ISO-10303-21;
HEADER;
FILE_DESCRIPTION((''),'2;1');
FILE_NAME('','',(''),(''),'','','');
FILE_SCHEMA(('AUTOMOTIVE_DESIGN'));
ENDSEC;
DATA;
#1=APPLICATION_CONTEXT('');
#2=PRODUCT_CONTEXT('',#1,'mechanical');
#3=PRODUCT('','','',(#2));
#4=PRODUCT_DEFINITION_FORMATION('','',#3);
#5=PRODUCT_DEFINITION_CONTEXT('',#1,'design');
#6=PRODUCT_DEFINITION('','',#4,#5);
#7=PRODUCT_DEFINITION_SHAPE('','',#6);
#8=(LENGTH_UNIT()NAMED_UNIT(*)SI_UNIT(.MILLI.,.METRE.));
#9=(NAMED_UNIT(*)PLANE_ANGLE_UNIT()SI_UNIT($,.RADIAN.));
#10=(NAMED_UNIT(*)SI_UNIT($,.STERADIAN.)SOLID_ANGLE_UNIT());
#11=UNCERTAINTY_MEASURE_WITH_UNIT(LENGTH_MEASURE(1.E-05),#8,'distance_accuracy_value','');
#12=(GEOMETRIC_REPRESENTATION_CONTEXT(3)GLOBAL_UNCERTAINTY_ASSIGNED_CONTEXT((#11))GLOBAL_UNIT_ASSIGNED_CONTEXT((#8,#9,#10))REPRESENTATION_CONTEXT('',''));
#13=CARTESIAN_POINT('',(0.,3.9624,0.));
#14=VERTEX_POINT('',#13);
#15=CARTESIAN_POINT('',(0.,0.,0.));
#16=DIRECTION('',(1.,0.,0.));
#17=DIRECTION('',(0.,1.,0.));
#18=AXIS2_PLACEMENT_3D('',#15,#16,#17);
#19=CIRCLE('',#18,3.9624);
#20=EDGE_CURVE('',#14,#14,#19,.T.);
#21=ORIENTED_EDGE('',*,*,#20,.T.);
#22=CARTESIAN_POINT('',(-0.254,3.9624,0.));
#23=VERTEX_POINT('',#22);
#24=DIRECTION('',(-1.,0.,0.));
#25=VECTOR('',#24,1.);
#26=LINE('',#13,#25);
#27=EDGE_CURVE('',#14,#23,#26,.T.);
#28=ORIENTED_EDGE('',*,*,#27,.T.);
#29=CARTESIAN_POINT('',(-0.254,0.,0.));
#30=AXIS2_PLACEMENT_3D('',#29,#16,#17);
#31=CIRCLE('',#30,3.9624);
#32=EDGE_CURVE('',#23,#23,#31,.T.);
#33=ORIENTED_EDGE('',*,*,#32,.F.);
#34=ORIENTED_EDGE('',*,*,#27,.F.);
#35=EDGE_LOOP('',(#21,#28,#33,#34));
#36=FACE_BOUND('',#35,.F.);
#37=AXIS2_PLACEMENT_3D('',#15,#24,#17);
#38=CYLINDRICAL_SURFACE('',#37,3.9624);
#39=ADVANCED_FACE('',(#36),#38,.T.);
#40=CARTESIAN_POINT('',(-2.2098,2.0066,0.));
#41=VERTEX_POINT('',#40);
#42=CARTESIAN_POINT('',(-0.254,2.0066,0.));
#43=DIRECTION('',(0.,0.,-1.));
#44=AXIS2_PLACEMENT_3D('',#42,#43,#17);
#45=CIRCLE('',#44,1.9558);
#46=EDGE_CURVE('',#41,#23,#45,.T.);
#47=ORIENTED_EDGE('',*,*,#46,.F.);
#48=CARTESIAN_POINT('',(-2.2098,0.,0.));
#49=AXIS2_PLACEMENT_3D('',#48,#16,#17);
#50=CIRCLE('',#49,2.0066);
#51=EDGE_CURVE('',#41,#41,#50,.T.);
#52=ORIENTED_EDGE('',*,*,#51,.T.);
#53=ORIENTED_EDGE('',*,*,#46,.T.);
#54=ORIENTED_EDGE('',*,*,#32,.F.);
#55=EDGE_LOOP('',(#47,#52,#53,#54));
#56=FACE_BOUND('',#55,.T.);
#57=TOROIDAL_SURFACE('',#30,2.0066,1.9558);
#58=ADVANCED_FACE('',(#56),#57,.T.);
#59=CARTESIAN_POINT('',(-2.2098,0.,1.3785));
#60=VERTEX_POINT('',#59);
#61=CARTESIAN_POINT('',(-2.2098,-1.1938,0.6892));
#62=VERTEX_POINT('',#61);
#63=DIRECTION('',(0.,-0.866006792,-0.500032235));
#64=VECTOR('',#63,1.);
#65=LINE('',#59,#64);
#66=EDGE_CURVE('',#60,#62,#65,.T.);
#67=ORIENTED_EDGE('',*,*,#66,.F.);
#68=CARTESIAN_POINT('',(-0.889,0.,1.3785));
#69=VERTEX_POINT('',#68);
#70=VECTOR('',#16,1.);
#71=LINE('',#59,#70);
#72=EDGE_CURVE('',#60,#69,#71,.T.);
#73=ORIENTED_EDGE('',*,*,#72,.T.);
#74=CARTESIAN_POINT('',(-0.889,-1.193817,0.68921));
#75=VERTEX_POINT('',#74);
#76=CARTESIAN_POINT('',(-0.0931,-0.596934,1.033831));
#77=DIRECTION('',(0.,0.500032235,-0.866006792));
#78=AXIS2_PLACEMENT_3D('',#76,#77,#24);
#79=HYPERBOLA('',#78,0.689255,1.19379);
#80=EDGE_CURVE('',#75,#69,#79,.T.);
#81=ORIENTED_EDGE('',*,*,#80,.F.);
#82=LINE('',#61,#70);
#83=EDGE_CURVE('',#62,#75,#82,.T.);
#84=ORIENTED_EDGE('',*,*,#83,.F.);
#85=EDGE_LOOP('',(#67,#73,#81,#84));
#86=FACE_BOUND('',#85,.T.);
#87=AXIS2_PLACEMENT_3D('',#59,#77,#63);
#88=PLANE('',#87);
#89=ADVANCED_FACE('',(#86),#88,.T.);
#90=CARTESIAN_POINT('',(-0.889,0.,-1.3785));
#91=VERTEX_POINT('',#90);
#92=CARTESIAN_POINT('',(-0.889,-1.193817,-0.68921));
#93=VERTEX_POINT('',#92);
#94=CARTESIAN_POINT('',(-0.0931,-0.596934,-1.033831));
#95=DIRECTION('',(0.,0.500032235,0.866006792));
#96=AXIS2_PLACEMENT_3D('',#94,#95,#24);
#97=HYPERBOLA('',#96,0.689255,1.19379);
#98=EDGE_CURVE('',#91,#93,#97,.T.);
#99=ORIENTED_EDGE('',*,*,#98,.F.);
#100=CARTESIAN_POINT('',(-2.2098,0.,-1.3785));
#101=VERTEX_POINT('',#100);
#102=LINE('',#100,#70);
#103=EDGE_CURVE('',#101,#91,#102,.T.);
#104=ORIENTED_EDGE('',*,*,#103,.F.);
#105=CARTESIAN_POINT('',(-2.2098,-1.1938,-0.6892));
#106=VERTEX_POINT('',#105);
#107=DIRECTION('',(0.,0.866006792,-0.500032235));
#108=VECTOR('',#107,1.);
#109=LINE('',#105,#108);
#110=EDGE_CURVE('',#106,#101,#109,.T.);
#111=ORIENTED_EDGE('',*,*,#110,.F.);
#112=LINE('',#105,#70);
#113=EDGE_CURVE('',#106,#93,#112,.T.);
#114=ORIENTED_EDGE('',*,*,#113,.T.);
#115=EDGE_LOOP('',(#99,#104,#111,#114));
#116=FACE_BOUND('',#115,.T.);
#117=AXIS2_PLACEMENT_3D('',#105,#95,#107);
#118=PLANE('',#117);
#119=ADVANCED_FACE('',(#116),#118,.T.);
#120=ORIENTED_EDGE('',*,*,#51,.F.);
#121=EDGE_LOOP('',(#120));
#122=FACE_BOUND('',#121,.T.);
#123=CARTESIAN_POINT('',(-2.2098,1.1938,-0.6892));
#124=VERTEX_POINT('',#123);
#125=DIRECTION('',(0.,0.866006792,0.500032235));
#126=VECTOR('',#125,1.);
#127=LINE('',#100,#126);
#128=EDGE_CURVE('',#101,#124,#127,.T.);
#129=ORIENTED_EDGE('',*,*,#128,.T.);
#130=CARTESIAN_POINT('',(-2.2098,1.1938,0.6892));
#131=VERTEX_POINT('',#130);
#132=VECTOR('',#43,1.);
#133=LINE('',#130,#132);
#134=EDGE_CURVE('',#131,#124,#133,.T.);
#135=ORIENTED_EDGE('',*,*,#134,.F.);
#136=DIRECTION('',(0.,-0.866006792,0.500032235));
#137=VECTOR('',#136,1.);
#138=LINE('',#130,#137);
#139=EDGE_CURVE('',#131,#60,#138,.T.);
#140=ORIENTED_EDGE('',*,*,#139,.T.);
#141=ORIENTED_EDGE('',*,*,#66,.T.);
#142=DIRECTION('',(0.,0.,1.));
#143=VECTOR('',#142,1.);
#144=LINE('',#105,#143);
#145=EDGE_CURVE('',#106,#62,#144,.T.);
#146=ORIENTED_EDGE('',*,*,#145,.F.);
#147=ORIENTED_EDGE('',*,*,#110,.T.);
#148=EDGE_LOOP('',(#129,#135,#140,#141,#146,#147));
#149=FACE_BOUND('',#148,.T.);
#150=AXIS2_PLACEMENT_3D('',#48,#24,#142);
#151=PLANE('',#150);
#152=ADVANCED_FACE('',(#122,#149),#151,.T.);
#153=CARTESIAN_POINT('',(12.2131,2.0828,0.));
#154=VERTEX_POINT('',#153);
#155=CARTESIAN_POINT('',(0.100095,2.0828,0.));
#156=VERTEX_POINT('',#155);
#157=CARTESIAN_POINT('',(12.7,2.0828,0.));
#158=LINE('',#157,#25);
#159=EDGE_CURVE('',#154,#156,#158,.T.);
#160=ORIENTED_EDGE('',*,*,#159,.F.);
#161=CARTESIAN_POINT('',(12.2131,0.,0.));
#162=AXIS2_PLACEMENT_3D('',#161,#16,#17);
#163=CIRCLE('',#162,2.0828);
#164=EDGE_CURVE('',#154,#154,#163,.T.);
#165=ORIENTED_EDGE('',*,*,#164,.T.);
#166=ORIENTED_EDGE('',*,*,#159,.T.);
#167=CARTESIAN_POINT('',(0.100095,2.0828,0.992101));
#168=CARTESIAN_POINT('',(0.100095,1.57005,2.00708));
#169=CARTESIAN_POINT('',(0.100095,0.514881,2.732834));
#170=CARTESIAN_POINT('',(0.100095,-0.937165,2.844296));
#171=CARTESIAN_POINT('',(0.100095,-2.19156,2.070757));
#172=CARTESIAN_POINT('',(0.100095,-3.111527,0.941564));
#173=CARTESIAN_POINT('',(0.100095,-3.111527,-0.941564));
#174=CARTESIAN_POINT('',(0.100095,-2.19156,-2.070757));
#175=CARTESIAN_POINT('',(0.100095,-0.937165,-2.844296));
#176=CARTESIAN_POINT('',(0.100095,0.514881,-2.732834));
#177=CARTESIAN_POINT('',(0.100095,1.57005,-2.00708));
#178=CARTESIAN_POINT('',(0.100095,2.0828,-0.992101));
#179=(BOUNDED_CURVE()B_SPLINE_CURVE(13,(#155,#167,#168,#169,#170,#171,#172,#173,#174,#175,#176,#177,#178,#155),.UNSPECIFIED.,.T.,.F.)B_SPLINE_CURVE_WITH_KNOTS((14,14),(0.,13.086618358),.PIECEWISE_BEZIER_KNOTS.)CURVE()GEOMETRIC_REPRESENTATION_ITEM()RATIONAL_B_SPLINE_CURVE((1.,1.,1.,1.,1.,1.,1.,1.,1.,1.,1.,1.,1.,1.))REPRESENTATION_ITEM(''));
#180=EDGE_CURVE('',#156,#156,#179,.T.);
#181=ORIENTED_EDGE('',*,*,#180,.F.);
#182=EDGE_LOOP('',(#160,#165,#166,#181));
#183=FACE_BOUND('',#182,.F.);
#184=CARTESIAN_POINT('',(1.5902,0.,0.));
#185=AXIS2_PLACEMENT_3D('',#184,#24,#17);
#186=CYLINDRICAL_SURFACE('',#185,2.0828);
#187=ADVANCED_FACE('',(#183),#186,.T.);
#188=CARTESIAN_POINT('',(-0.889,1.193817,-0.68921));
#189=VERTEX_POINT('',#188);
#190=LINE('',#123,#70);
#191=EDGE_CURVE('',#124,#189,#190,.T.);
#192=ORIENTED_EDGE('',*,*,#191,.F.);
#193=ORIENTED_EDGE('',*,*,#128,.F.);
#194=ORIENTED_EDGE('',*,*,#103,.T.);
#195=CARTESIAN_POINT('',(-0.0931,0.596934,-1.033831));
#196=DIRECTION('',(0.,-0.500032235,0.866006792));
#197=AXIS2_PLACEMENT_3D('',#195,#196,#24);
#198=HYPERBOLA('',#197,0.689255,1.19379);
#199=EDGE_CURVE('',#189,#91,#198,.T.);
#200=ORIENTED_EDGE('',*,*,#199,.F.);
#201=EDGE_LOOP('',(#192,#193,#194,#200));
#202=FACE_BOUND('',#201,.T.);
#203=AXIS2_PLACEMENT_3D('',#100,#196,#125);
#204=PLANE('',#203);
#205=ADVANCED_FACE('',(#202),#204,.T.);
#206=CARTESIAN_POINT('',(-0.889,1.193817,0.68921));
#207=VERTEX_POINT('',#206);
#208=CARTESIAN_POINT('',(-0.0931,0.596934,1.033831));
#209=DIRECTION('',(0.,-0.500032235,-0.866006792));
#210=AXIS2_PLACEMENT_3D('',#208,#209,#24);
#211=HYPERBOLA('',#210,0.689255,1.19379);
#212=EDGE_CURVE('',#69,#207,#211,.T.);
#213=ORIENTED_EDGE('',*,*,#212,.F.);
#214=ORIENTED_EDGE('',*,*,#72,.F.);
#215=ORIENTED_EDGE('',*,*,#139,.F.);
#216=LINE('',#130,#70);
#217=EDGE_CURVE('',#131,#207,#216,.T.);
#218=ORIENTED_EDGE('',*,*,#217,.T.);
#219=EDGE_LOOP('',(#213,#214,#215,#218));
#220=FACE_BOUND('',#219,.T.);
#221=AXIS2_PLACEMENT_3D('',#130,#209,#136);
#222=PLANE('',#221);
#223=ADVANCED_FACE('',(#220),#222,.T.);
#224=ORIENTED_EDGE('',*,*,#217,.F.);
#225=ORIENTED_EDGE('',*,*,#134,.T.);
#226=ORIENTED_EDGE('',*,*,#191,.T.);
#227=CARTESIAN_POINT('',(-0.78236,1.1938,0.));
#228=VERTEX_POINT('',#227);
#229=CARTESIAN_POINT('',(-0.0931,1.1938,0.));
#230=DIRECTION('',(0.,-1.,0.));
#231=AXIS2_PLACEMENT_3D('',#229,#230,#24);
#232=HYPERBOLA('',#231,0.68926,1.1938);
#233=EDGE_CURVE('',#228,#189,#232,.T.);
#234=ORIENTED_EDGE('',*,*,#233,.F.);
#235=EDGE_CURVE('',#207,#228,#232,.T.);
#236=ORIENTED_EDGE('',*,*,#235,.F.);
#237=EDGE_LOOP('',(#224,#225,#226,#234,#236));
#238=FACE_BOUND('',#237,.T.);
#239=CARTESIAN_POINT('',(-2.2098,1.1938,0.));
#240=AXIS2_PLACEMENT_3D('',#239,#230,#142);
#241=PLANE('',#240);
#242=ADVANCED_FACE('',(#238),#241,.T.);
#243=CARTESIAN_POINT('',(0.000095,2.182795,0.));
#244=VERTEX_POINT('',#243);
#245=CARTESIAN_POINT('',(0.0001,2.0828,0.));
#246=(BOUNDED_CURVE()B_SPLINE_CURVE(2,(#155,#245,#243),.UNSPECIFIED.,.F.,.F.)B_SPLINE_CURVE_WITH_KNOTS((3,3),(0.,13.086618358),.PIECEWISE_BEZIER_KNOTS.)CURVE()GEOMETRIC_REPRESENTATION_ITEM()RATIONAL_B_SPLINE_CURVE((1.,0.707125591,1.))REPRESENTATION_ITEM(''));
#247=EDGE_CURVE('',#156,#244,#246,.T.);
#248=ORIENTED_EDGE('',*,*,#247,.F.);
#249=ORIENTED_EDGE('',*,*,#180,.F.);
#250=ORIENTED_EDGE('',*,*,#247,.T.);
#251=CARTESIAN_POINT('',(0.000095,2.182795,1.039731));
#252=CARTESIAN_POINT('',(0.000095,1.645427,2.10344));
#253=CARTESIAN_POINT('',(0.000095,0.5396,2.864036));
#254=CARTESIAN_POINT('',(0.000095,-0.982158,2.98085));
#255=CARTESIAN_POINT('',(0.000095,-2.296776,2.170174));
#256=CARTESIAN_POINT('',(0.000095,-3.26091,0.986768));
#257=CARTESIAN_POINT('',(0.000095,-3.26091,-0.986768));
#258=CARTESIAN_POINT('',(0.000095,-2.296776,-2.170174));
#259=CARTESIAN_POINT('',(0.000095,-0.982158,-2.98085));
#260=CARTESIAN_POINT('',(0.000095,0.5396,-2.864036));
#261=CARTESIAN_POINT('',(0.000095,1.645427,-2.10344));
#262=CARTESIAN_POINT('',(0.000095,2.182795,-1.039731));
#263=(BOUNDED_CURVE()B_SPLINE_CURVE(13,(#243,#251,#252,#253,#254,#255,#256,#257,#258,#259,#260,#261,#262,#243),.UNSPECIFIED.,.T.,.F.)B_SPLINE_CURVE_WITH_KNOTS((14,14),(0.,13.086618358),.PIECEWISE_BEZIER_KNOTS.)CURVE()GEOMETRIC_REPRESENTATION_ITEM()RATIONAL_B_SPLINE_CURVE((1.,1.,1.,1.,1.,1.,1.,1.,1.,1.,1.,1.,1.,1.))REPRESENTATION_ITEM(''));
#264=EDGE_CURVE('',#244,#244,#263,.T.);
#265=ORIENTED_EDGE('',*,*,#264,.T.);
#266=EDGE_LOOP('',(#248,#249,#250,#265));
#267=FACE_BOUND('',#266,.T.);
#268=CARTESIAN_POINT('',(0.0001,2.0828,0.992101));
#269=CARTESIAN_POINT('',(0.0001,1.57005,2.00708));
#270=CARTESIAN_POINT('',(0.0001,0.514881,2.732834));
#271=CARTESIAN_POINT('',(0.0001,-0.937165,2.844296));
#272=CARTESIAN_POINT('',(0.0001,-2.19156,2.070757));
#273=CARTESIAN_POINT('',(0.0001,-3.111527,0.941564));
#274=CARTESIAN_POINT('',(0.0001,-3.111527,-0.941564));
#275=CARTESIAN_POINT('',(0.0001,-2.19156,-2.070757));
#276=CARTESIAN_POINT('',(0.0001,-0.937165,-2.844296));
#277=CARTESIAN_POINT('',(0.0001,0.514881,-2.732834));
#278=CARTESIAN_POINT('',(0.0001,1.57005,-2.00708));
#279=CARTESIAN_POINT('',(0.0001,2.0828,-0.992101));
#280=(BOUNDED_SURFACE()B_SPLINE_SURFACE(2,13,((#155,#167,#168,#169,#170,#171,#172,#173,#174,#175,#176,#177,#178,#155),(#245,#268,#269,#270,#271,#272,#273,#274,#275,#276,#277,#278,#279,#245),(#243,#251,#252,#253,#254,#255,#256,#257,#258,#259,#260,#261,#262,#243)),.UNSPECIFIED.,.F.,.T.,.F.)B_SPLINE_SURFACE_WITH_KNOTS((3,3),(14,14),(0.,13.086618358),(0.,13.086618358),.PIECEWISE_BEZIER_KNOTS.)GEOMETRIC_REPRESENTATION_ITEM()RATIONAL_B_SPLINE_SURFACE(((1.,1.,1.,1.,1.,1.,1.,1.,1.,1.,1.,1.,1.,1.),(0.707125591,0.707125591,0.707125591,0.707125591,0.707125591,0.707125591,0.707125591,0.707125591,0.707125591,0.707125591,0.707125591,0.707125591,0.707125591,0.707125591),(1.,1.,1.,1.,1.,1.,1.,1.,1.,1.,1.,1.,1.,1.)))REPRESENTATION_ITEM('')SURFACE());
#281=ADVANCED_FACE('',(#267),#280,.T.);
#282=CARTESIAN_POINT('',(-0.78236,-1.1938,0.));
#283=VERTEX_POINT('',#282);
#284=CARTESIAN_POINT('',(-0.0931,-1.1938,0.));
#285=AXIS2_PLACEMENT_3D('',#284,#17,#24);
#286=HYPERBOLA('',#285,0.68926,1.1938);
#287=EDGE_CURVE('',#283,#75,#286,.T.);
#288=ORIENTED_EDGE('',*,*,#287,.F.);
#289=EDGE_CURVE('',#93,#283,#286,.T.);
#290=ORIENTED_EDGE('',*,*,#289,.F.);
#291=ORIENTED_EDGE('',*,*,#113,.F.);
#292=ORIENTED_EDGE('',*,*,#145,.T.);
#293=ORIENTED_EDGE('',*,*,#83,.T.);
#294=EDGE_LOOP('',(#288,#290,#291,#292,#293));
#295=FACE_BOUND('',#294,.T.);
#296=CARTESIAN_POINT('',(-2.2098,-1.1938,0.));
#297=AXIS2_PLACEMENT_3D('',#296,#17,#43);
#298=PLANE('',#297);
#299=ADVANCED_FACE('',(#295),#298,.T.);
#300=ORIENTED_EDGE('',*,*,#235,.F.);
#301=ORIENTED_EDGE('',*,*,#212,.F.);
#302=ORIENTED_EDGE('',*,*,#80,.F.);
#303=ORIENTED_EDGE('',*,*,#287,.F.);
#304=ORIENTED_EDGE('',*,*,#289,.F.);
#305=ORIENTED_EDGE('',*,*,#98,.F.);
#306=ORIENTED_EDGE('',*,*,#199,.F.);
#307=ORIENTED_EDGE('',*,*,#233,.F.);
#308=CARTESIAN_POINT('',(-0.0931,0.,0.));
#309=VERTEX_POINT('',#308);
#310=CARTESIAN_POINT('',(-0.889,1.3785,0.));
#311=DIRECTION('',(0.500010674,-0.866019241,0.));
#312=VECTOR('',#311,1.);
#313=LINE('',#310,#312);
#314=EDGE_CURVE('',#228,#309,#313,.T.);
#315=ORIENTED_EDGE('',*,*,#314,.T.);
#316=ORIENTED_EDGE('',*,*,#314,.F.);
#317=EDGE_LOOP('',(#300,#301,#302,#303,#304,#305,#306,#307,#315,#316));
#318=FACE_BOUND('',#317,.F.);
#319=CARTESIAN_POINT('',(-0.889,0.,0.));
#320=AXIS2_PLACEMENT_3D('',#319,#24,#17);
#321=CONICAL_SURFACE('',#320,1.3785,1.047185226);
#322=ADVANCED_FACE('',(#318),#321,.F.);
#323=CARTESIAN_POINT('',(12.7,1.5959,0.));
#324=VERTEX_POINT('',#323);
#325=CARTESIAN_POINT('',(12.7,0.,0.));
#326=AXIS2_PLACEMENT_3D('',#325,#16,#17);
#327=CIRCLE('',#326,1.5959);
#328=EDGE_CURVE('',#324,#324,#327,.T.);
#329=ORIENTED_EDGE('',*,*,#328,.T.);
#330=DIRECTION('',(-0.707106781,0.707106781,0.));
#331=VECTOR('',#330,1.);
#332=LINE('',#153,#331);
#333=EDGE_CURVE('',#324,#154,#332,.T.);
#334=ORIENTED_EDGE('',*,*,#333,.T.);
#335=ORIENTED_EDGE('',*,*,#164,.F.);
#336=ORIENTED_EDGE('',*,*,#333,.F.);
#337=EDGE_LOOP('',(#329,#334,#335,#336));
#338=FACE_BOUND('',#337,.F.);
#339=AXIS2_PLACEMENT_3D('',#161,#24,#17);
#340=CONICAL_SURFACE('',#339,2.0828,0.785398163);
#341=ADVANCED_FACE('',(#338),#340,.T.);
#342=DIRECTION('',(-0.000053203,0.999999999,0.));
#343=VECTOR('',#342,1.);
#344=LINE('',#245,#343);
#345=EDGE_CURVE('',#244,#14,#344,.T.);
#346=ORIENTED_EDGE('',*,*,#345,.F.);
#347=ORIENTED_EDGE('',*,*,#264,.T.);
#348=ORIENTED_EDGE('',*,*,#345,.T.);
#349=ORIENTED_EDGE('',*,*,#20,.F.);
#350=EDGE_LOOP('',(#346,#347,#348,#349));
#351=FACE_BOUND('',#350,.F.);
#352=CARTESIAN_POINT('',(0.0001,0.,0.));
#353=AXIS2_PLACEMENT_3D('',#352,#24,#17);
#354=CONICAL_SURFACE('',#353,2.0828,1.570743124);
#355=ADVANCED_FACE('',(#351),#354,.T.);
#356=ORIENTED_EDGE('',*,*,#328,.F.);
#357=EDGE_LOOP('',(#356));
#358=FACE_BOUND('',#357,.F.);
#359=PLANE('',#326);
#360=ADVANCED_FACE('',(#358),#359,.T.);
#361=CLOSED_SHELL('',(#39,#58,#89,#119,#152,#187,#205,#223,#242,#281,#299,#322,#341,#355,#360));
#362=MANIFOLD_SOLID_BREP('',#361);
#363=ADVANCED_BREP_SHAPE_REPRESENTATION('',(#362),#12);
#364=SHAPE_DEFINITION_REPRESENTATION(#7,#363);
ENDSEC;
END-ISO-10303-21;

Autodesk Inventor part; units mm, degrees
ref_plane "YZ Plane" through (0, 0, 0) normal (1, 0, 0) x (0, 1, 0)
ref_plane "XZ Plane" through (0, 0, 0) normal (0, 1, 0) x (-1, 0, 0)
sketch "Sketch1" plane through (0, 0, 0) normal (0, 0, 1) x (1, 0, 0)
  line L0 (-0.0931, 0) -> (12.7, 0)
  line L1 (12.7, 0) -> (12.7, 2.0828)
  line L2 (12.7, 2.0828) -> (1.5902, 2.0828)
  line L3 (1.5902, 2.0828) -> (0.0001, 2.0828)
  line L4 (0.0001, 2.0828) -> (0, 2.0828)
  line L5 (0, 2.0828) -> (0, 3.9624)
  line L6 (0, 3.9624) -> (-2.2098, 3.9624)
  line L7 (-2.2098, 3.9624) -> (-2.2098, 1.3785)
  line L8 (-2.2098, 1.3785) -> (-0.889, 1.3785)
  line L9 (-0.889, 1.3785) -> (-0.0931, 0)
  line L10 (-5.1918, 0) -> (15.682, 0) projected
  line L11 (0, -0.7925) -> (0, 4.7549) projected
  line L12 (1.5902, 2.0828) -> (0, 2.0828) construction
  dimension "d1" = 11.1098
  dimension "d2" = 1.5901
  dimension "d3" = 2.2098
  dimension "d4" = 1.3208
  dimension "d5" = 60
  dimension "d6" = 4.1656
  dimension "d7" = 4.1656
  dimension "d8" = 2.757
  dimension "d9" = 7.9248
  dimension "d26" = 12.7
revolve "Body" add sketch "Sketch1" angle 360 about axis through (-0.0931, 0, 0) along (1, 0, 0)
sketch "Sketch2" plane through (-2.2098, 0, 0) normal (-1, 0, 0) x (0, 0, 1)
  circle A0 centre (0, 0) radius 1.3785 projected
  line L0 (0, -5.5474) -> (0, 5.5474) projected
  line L1 (-5.5474, 0) -> (5.5474, 0) projected
  line L2 (1.3785, 0) -> (0.6892, -1.1938)
  line L3 (0.6892, -1.1938) -> (-0.6892, -1.1938)
  line L4 (-0.6892, -1.1938) -> (-1.3785, 0)
  line L5 (-1.3785, 0) -> (-0.6892, 1.1938)
  line L6 (-0.6892, 1.1938) -> (0.6892, 1.1938)
  line L7 (0.6892, 1.1938) -> (1.3785, 0)
extrude "Slot" add sketch "Sketch2" against normal up to next contours L7 A0 | A0 L2 | L6 L0 A0 | A0 L0 L3 | L0 L6 A0 | A0 L3 L0 | L4 A0 | A0 L5
fillet "Fillet1" radius 1.9558 1 edges at (-2.2098, -3.9624, 0)
thread "Thread" size "8-32 UNC" class "2A" standard "ANSI Unified Screw Threads" length 11.1098
chamfer "Chamfer1" distance 0.4869 distance2 0.4869 1 edges at (12.7, -2.0828, 0) measured on face at (12.7, -0.1898, 0.4203)
ref_plane "Work Plane1" through (29, 0, 0) normal (0, -1, 0) x (1, 0, 0)
fillet "Fillet2" radius 0.1 1 edges at (0.0001, -2.0828, 0)
equation "\"d1\" = GEL"
equation "\"d3\" = KOH"
equation "\"d4\" = INTI"
equation "\"d6\" = GD"
equation "\"d7\" = BDM"
equation "\"d8\" = 1.1547 * SW"
equation "\"d9\" = KOD"
equation "\"d26\" = NLG"
equation "\"d30\" = R"
equation "\"d17\" = RR"
equation "\"d13\" = GEL"
equation "\"d15\" = -0.5 * SPD + 0.5 * GD"
equation "\"d16\" = GUL"
equation "\"GD\" = NND"
equation "\"NLG\" = 12.7"
equation "\"GEL\" = 11.10976"
equation "\"KOD\" = 7.9248"
equation "\"KOH\" = 2.2098"
equation "\"INTI\" = 1.3208"
equation "\"GAL\" = 1.59004"
equation "\"GUL\" = 0.48692"
equation "\"BDM\" = NND"
equation "\"SW\" = 2.3876"
equation "\"RR\" = 1.9558"
equation "\"SPD\" = 3.19176"
equation "\"R\" = 0.1"
equation "\"TOA\" = 30deg"
equation "\"GD1\" = SPD"
equation "\"THREADDIA\" = 4.1656"
equation "\"KOH1\" = 0.381"
equation "\"NND\" = 4.1656"
equation "\"E0\" = 2.75768"
properties part number "ANSI B18.3 - 8 - 32 x 1/2" material "Steel, Mild"
